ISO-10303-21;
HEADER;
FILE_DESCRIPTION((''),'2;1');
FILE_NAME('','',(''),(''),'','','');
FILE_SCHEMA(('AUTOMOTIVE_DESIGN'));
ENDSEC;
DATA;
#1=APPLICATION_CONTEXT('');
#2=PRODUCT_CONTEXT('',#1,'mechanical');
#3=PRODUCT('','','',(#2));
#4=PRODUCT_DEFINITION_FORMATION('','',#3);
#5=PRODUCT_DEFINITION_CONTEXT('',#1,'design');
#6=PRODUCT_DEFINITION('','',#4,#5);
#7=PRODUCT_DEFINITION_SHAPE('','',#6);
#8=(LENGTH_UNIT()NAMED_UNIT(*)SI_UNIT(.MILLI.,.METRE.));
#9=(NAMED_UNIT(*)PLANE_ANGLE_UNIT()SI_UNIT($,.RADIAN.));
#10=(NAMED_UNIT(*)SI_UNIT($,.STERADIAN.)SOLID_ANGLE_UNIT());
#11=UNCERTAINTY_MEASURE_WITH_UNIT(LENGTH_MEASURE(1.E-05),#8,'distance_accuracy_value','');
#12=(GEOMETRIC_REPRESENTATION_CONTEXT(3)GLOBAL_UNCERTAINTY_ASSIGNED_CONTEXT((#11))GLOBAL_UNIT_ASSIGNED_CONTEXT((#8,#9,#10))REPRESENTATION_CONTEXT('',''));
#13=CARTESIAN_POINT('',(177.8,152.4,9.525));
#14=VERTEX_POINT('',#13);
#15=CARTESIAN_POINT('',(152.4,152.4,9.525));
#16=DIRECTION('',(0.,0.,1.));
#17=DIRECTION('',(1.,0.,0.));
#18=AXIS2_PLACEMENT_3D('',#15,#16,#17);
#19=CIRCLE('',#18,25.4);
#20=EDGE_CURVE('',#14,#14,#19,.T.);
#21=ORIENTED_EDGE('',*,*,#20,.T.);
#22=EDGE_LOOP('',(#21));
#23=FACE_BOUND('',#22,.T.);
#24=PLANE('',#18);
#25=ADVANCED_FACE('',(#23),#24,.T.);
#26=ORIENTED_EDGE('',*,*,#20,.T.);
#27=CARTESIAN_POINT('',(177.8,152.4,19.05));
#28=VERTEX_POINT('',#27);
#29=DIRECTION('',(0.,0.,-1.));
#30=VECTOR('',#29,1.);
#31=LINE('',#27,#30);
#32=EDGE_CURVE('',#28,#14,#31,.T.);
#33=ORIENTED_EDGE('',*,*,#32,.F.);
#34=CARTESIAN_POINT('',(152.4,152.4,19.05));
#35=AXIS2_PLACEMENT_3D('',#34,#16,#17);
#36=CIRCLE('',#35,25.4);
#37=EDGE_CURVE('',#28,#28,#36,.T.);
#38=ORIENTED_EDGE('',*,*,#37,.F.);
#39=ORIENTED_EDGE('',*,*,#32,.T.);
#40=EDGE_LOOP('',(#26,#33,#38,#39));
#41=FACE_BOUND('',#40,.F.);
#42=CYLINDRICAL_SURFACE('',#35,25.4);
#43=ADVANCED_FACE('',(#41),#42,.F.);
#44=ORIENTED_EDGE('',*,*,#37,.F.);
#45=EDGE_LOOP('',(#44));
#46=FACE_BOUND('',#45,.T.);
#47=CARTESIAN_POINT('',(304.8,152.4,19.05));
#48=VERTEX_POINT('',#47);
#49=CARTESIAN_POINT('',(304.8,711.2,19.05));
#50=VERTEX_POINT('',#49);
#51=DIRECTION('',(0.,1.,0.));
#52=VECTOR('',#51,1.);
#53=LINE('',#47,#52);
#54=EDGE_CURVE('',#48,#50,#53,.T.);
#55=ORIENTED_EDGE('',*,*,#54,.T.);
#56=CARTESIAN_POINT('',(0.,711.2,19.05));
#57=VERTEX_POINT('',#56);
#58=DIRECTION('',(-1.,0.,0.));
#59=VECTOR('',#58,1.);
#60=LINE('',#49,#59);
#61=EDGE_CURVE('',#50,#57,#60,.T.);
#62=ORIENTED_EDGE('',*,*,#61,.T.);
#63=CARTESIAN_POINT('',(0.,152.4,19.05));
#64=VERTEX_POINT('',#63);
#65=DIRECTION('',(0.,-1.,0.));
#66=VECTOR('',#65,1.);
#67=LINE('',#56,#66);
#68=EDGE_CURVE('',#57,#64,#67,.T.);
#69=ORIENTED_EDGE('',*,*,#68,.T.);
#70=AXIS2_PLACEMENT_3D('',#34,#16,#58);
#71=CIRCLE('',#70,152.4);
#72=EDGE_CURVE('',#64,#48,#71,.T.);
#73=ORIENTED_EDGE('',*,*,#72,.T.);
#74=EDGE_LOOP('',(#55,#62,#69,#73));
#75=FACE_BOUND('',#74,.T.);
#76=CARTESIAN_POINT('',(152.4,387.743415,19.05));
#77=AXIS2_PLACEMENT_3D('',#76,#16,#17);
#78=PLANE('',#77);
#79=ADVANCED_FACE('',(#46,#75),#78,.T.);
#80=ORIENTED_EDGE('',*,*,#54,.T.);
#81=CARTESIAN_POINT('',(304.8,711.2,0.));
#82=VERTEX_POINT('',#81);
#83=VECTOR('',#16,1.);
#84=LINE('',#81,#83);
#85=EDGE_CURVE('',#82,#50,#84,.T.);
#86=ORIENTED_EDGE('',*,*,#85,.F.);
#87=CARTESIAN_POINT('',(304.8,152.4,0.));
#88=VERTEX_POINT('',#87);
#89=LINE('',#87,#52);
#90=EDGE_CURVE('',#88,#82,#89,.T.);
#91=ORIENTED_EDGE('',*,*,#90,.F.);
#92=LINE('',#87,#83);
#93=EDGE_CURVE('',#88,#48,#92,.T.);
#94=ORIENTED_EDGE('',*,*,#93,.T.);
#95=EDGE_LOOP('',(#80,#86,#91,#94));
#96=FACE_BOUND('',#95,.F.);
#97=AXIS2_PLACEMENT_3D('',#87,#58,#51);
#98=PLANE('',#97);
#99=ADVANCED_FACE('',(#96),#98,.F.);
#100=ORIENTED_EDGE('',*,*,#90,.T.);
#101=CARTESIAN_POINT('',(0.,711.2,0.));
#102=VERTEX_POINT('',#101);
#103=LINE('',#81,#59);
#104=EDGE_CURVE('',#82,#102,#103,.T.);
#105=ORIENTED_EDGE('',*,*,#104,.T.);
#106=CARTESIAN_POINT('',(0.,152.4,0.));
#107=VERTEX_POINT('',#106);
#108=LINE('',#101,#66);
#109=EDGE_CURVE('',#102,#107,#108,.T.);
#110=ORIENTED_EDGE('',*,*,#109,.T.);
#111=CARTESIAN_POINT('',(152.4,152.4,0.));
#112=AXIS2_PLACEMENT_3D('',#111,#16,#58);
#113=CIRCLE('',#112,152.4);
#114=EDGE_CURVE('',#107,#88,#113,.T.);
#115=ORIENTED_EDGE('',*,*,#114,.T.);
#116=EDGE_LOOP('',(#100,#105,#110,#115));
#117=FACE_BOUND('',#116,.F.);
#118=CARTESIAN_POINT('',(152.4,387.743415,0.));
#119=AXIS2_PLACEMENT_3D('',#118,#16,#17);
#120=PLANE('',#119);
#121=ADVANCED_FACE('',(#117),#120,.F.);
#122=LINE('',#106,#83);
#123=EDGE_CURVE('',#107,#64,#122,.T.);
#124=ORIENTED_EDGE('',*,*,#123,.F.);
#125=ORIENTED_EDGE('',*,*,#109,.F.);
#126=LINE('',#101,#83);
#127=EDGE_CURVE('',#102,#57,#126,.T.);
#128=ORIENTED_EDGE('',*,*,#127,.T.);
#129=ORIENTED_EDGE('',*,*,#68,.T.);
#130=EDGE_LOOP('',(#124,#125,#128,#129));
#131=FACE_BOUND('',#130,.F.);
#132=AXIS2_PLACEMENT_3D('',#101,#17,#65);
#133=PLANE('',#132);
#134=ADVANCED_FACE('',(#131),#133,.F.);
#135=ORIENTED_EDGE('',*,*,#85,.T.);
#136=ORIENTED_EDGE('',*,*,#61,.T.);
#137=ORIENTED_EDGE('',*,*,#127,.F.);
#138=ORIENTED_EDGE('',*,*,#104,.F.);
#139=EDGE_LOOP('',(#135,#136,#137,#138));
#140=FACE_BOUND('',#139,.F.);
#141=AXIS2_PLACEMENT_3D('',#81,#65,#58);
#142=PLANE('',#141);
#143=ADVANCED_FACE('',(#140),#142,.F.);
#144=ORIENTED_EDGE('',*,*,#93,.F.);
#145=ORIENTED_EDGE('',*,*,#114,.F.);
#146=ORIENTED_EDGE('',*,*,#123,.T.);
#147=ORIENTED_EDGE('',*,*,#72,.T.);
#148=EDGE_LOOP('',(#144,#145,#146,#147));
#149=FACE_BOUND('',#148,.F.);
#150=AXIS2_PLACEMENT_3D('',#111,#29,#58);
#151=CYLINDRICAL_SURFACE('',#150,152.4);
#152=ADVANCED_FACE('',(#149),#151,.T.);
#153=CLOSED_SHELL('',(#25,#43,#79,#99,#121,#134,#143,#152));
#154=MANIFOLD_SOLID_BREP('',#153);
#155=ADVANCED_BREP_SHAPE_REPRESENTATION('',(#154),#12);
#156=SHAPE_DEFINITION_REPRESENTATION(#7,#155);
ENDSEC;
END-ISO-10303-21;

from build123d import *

# Parameters (mm, degrees)
F1_DEPTH = 19.05
F2_R     = 25.4
F3_DEPTH = 9.525


with BuildPart() as f1:
    # F0 (on Top) → F1 (new body)
    with BuildSketch(Plane.XY):
        with BuildLine():
            Line((0, 711.2), (0, 152.4))
            ThreePointArc((0, 152.4), (152.4, 0), (304.8, 152.4))
            Line((304.8, 152.4), (304.8, 711.2))
            Line((304.8, 711.2), (0, 711.2))
        make_face()
    extrude(amount=F1_DEPTH)

    # F2 (on face) → F3 (cut)
    with BuildSketch(Plane.XY.offset(19.05)):
        with Locations((152.4, 152.4)):
            Circle(F2_R)
    extrude(amount=-F3_DEPTH, mode=Mode.SUBTRACT)


solid = f1.part
